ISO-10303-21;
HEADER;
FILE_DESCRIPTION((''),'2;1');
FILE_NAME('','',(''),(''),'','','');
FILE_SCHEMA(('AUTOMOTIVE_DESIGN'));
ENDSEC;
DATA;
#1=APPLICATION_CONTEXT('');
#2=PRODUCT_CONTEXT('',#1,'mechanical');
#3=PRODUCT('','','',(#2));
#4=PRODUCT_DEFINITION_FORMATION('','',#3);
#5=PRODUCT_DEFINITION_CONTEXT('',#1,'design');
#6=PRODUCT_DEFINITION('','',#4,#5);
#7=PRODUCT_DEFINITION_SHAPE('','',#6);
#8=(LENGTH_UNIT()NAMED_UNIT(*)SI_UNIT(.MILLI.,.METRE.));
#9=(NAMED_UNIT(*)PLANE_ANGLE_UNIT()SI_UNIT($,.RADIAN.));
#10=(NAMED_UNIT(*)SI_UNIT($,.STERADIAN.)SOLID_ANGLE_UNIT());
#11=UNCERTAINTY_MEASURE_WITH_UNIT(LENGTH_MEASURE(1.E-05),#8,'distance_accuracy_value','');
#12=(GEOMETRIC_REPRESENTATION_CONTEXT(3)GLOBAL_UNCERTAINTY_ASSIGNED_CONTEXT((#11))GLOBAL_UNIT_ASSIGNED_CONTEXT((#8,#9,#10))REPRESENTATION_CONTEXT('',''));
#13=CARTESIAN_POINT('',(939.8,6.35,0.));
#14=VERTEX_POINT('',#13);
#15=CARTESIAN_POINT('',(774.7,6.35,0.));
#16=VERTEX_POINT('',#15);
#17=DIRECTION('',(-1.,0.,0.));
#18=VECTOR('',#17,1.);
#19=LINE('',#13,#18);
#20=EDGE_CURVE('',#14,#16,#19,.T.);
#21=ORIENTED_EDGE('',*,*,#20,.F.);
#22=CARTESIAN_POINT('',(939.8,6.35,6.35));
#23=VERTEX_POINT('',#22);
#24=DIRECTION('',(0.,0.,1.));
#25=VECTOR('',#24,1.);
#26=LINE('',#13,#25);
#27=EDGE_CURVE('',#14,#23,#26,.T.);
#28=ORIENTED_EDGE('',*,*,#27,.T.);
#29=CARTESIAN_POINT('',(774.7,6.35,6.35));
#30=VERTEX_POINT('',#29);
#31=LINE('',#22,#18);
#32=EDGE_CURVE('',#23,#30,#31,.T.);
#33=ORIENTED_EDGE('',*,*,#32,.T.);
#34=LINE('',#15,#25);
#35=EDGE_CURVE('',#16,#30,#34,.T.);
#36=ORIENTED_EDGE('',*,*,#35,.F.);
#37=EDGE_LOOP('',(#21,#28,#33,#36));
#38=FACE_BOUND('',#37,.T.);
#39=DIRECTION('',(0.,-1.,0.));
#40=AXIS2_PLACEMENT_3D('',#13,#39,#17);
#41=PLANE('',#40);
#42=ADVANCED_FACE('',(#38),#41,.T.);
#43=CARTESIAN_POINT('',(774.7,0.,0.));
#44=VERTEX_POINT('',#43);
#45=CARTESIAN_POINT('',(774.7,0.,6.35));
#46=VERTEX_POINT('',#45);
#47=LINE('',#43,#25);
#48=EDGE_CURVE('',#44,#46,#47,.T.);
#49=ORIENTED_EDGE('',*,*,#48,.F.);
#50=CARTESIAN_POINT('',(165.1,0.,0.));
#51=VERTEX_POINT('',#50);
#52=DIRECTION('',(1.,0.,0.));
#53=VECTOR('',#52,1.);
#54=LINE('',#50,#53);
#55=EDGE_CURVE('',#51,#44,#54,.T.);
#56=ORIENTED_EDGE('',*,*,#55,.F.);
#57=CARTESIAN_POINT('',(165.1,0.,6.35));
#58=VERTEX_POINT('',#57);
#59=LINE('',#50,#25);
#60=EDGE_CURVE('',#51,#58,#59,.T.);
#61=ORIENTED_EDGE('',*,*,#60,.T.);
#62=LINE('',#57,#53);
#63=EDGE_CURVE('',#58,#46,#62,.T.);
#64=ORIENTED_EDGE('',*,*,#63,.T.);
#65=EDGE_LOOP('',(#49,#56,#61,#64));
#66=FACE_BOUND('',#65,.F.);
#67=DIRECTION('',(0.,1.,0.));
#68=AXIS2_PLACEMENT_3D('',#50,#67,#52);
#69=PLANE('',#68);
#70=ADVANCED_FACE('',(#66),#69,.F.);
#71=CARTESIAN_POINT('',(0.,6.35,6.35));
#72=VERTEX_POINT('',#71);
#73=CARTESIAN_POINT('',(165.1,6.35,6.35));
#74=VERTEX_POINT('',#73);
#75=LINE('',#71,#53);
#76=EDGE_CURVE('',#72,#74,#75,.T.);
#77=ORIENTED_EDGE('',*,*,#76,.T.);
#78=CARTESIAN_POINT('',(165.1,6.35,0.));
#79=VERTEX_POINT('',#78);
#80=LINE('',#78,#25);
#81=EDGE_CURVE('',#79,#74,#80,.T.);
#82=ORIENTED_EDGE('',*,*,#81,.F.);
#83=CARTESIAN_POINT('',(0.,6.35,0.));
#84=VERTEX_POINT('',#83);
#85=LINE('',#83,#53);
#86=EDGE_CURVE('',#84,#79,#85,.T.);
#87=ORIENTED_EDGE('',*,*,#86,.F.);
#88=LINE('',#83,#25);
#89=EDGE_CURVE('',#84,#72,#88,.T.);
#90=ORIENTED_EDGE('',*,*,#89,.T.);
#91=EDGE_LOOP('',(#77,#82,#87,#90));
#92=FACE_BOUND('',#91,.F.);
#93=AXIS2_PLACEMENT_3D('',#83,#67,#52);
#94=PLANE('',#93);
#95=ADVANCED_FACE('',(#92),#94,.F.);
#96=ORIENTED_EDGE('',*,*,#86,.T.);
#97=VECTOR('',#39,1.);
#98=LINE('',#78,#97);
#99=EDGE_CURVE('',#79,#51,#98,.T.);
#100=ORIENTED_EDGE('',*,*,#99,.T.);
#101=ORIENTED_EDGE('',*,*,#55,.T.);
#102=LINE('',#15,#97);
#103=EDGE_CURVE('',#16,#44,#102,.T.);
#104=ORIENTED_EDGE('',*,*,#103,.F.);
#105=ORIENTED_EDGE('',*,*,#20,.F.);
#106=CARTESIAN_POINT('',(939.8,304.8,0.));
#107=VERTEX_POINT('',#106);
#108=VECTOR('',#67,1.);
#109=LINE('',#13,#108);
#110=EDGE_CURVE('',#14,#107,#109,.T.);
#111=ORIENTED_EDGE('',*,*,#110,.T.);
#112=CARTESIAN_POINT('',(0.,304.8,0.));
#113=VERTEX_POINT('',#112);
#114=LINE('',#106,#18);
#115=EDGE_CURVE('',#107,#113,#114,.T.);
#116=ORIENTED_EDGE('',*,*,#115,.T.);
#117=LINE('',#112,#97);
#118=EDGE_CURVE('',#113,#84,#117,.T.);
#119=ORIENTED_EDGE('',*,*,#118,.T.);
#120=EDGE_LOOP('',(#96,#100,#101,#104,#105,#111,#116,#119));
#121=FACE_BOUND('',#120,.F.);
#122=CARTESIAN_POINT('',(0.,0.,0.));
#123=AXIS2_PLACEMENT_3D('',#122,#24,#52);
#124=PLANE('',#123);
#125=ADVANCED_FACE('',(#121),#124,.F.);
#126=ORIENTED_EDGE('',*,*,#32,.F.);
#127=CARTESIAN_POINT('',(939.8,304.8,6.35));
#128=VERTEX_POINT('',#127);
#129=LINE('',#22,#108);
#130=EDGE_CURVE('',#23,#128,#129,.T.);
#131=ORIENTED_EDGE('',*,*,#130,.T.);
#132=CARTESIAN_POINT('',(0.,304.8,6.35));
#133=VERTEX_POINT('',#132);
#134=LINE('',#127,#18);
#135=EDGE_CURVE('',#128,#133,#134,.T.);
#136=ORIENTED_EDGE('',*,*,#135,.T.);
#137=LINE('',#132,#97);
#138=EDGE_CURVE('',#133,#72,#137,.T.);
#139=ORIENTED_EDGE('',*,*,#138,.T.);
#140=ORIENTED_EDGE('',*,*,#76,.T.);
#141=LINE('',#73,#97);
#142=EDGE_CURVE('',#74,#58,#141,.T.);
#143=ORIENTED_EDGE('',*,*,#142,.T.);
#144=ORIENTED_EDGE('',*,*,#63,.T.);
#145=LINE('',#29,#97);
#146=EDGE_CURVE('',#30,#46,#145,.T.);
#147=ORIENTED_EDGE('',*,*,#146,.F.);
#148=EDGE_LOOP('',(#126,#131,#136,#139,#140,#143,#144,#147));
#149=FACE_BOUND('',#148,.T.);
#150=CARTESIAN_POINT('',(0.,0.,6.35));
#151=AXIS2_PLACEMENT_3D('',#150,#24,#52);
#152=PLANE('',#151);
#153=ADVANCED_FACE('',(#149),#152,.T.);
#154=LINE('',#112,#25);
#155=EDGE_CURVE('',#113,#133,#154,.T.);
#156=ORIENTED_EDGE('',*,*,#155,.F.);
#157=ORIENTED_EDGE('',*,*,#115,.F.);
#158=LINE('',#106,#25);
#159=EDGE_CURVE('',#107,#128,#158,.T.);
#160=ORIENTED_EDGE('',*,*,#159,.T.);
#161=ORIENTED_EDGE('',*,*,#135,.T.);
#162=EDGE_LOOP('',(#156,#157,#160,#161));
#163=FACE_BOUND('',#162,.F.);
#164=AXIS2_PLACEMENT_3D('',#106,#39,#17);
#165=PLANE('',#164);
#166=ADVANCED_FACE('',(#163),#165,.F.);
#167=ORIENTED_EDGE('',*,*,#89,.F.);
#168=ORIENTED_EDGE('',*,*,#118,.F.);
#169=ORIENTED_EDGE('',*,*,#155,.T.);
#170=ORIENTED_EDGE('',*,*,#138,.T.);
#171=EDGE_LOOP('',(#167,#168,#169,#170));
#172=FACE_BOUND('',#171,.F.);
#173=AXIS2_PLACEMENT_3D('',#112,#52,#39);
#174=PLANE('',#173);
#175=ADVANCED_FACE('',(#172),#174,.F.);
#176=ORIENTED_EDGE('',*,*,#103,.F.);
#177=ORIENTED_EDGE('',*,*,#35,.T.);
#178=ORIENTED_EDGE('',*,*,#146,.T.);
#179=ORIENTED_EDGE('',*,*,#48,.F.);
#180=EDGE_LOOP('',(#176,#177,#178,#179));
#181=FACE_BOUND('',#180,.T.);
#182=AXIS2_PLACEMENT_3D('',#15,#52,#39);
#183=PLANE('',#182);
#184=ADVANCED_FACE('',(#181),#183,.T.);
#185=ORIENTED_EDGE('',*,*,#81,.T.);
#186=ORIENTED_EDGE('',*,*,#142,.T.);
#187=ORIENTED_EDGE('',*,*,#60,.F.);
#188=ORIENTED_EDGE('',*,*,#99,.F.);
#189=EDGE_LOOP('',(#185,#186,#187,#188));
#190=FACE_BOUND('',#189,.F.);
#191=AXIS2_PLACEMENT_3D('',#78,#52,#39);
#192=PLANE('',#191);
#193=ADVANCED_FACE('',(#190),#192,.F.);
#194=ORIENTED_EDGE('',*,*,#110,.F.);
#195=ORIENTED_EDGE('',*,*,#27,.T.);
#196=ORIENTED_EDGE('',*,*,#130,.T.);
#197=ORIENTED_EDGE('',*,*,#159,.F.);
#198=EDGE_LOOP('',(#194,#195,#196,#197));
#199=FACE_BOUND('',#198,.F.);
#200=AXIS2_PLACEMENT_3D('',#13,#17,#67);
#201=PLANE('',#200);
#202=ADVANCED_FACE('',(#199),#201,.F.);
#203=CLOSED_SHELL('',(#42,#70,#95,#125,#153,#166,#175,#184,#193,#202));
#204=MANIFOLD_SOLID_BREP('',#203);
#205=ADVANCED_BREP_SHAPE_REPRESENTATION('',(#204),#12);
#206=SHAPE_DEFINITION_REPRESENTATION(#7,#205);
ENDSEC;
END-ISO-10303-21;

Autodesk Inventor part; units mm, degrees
ref_plane "YZ Plane" through (0, 0, 0) normal (1, 0, 0) x (0, 1, 0)
ref_plane "XZ Plane" through (0, 0, 0) normal (0, 1, 0) x (-1, 0, 0)
ref_plane "XY Plane" through (0, 0, 0) normal (0, 0, 1) x (1, 0, 0)
sketch "Sketch1" plane through (0, 0, 0) normal (0, 0, 1) x (1, 0, 0)
  line L0 (0, 0) -> (165.1, 0) construction
  line L1 (939.8, 0) -> (939.8, 6.35) construction
  line L2 (939.8, 304.8) -> (0, 304.8)
  line L3 (0, 304.8) -> (0, 6.35)
  line L4 (0, 6.35) -> (165.1, 6.35)
  line L5 (165.1, 6.35) -> (165.1, 0)
  line L6 (939.8, 6.35) -> (774.7, 6.35)
  line L7 (774.7, 6.35) -> (774.7, 0)
  line L8 (0, 6.35) -> (0, 0) construction
  line L9 (165.1, 0) -> (774.7, 0)
  line L10 (774.7, 0) -> (939.8, 0) construction
  line L11 (939.8, 6.35) -> (939.8, 304.8)
  dimension "d0" = 304.8
  dimension "d1" = 939.8
  dimension "d2" = 165.1
  dimension "d3" = 6.35
extrude "Extrusion1" add sketch "Sketch1" along normal blind 6.35
properties part number "electronics board"
